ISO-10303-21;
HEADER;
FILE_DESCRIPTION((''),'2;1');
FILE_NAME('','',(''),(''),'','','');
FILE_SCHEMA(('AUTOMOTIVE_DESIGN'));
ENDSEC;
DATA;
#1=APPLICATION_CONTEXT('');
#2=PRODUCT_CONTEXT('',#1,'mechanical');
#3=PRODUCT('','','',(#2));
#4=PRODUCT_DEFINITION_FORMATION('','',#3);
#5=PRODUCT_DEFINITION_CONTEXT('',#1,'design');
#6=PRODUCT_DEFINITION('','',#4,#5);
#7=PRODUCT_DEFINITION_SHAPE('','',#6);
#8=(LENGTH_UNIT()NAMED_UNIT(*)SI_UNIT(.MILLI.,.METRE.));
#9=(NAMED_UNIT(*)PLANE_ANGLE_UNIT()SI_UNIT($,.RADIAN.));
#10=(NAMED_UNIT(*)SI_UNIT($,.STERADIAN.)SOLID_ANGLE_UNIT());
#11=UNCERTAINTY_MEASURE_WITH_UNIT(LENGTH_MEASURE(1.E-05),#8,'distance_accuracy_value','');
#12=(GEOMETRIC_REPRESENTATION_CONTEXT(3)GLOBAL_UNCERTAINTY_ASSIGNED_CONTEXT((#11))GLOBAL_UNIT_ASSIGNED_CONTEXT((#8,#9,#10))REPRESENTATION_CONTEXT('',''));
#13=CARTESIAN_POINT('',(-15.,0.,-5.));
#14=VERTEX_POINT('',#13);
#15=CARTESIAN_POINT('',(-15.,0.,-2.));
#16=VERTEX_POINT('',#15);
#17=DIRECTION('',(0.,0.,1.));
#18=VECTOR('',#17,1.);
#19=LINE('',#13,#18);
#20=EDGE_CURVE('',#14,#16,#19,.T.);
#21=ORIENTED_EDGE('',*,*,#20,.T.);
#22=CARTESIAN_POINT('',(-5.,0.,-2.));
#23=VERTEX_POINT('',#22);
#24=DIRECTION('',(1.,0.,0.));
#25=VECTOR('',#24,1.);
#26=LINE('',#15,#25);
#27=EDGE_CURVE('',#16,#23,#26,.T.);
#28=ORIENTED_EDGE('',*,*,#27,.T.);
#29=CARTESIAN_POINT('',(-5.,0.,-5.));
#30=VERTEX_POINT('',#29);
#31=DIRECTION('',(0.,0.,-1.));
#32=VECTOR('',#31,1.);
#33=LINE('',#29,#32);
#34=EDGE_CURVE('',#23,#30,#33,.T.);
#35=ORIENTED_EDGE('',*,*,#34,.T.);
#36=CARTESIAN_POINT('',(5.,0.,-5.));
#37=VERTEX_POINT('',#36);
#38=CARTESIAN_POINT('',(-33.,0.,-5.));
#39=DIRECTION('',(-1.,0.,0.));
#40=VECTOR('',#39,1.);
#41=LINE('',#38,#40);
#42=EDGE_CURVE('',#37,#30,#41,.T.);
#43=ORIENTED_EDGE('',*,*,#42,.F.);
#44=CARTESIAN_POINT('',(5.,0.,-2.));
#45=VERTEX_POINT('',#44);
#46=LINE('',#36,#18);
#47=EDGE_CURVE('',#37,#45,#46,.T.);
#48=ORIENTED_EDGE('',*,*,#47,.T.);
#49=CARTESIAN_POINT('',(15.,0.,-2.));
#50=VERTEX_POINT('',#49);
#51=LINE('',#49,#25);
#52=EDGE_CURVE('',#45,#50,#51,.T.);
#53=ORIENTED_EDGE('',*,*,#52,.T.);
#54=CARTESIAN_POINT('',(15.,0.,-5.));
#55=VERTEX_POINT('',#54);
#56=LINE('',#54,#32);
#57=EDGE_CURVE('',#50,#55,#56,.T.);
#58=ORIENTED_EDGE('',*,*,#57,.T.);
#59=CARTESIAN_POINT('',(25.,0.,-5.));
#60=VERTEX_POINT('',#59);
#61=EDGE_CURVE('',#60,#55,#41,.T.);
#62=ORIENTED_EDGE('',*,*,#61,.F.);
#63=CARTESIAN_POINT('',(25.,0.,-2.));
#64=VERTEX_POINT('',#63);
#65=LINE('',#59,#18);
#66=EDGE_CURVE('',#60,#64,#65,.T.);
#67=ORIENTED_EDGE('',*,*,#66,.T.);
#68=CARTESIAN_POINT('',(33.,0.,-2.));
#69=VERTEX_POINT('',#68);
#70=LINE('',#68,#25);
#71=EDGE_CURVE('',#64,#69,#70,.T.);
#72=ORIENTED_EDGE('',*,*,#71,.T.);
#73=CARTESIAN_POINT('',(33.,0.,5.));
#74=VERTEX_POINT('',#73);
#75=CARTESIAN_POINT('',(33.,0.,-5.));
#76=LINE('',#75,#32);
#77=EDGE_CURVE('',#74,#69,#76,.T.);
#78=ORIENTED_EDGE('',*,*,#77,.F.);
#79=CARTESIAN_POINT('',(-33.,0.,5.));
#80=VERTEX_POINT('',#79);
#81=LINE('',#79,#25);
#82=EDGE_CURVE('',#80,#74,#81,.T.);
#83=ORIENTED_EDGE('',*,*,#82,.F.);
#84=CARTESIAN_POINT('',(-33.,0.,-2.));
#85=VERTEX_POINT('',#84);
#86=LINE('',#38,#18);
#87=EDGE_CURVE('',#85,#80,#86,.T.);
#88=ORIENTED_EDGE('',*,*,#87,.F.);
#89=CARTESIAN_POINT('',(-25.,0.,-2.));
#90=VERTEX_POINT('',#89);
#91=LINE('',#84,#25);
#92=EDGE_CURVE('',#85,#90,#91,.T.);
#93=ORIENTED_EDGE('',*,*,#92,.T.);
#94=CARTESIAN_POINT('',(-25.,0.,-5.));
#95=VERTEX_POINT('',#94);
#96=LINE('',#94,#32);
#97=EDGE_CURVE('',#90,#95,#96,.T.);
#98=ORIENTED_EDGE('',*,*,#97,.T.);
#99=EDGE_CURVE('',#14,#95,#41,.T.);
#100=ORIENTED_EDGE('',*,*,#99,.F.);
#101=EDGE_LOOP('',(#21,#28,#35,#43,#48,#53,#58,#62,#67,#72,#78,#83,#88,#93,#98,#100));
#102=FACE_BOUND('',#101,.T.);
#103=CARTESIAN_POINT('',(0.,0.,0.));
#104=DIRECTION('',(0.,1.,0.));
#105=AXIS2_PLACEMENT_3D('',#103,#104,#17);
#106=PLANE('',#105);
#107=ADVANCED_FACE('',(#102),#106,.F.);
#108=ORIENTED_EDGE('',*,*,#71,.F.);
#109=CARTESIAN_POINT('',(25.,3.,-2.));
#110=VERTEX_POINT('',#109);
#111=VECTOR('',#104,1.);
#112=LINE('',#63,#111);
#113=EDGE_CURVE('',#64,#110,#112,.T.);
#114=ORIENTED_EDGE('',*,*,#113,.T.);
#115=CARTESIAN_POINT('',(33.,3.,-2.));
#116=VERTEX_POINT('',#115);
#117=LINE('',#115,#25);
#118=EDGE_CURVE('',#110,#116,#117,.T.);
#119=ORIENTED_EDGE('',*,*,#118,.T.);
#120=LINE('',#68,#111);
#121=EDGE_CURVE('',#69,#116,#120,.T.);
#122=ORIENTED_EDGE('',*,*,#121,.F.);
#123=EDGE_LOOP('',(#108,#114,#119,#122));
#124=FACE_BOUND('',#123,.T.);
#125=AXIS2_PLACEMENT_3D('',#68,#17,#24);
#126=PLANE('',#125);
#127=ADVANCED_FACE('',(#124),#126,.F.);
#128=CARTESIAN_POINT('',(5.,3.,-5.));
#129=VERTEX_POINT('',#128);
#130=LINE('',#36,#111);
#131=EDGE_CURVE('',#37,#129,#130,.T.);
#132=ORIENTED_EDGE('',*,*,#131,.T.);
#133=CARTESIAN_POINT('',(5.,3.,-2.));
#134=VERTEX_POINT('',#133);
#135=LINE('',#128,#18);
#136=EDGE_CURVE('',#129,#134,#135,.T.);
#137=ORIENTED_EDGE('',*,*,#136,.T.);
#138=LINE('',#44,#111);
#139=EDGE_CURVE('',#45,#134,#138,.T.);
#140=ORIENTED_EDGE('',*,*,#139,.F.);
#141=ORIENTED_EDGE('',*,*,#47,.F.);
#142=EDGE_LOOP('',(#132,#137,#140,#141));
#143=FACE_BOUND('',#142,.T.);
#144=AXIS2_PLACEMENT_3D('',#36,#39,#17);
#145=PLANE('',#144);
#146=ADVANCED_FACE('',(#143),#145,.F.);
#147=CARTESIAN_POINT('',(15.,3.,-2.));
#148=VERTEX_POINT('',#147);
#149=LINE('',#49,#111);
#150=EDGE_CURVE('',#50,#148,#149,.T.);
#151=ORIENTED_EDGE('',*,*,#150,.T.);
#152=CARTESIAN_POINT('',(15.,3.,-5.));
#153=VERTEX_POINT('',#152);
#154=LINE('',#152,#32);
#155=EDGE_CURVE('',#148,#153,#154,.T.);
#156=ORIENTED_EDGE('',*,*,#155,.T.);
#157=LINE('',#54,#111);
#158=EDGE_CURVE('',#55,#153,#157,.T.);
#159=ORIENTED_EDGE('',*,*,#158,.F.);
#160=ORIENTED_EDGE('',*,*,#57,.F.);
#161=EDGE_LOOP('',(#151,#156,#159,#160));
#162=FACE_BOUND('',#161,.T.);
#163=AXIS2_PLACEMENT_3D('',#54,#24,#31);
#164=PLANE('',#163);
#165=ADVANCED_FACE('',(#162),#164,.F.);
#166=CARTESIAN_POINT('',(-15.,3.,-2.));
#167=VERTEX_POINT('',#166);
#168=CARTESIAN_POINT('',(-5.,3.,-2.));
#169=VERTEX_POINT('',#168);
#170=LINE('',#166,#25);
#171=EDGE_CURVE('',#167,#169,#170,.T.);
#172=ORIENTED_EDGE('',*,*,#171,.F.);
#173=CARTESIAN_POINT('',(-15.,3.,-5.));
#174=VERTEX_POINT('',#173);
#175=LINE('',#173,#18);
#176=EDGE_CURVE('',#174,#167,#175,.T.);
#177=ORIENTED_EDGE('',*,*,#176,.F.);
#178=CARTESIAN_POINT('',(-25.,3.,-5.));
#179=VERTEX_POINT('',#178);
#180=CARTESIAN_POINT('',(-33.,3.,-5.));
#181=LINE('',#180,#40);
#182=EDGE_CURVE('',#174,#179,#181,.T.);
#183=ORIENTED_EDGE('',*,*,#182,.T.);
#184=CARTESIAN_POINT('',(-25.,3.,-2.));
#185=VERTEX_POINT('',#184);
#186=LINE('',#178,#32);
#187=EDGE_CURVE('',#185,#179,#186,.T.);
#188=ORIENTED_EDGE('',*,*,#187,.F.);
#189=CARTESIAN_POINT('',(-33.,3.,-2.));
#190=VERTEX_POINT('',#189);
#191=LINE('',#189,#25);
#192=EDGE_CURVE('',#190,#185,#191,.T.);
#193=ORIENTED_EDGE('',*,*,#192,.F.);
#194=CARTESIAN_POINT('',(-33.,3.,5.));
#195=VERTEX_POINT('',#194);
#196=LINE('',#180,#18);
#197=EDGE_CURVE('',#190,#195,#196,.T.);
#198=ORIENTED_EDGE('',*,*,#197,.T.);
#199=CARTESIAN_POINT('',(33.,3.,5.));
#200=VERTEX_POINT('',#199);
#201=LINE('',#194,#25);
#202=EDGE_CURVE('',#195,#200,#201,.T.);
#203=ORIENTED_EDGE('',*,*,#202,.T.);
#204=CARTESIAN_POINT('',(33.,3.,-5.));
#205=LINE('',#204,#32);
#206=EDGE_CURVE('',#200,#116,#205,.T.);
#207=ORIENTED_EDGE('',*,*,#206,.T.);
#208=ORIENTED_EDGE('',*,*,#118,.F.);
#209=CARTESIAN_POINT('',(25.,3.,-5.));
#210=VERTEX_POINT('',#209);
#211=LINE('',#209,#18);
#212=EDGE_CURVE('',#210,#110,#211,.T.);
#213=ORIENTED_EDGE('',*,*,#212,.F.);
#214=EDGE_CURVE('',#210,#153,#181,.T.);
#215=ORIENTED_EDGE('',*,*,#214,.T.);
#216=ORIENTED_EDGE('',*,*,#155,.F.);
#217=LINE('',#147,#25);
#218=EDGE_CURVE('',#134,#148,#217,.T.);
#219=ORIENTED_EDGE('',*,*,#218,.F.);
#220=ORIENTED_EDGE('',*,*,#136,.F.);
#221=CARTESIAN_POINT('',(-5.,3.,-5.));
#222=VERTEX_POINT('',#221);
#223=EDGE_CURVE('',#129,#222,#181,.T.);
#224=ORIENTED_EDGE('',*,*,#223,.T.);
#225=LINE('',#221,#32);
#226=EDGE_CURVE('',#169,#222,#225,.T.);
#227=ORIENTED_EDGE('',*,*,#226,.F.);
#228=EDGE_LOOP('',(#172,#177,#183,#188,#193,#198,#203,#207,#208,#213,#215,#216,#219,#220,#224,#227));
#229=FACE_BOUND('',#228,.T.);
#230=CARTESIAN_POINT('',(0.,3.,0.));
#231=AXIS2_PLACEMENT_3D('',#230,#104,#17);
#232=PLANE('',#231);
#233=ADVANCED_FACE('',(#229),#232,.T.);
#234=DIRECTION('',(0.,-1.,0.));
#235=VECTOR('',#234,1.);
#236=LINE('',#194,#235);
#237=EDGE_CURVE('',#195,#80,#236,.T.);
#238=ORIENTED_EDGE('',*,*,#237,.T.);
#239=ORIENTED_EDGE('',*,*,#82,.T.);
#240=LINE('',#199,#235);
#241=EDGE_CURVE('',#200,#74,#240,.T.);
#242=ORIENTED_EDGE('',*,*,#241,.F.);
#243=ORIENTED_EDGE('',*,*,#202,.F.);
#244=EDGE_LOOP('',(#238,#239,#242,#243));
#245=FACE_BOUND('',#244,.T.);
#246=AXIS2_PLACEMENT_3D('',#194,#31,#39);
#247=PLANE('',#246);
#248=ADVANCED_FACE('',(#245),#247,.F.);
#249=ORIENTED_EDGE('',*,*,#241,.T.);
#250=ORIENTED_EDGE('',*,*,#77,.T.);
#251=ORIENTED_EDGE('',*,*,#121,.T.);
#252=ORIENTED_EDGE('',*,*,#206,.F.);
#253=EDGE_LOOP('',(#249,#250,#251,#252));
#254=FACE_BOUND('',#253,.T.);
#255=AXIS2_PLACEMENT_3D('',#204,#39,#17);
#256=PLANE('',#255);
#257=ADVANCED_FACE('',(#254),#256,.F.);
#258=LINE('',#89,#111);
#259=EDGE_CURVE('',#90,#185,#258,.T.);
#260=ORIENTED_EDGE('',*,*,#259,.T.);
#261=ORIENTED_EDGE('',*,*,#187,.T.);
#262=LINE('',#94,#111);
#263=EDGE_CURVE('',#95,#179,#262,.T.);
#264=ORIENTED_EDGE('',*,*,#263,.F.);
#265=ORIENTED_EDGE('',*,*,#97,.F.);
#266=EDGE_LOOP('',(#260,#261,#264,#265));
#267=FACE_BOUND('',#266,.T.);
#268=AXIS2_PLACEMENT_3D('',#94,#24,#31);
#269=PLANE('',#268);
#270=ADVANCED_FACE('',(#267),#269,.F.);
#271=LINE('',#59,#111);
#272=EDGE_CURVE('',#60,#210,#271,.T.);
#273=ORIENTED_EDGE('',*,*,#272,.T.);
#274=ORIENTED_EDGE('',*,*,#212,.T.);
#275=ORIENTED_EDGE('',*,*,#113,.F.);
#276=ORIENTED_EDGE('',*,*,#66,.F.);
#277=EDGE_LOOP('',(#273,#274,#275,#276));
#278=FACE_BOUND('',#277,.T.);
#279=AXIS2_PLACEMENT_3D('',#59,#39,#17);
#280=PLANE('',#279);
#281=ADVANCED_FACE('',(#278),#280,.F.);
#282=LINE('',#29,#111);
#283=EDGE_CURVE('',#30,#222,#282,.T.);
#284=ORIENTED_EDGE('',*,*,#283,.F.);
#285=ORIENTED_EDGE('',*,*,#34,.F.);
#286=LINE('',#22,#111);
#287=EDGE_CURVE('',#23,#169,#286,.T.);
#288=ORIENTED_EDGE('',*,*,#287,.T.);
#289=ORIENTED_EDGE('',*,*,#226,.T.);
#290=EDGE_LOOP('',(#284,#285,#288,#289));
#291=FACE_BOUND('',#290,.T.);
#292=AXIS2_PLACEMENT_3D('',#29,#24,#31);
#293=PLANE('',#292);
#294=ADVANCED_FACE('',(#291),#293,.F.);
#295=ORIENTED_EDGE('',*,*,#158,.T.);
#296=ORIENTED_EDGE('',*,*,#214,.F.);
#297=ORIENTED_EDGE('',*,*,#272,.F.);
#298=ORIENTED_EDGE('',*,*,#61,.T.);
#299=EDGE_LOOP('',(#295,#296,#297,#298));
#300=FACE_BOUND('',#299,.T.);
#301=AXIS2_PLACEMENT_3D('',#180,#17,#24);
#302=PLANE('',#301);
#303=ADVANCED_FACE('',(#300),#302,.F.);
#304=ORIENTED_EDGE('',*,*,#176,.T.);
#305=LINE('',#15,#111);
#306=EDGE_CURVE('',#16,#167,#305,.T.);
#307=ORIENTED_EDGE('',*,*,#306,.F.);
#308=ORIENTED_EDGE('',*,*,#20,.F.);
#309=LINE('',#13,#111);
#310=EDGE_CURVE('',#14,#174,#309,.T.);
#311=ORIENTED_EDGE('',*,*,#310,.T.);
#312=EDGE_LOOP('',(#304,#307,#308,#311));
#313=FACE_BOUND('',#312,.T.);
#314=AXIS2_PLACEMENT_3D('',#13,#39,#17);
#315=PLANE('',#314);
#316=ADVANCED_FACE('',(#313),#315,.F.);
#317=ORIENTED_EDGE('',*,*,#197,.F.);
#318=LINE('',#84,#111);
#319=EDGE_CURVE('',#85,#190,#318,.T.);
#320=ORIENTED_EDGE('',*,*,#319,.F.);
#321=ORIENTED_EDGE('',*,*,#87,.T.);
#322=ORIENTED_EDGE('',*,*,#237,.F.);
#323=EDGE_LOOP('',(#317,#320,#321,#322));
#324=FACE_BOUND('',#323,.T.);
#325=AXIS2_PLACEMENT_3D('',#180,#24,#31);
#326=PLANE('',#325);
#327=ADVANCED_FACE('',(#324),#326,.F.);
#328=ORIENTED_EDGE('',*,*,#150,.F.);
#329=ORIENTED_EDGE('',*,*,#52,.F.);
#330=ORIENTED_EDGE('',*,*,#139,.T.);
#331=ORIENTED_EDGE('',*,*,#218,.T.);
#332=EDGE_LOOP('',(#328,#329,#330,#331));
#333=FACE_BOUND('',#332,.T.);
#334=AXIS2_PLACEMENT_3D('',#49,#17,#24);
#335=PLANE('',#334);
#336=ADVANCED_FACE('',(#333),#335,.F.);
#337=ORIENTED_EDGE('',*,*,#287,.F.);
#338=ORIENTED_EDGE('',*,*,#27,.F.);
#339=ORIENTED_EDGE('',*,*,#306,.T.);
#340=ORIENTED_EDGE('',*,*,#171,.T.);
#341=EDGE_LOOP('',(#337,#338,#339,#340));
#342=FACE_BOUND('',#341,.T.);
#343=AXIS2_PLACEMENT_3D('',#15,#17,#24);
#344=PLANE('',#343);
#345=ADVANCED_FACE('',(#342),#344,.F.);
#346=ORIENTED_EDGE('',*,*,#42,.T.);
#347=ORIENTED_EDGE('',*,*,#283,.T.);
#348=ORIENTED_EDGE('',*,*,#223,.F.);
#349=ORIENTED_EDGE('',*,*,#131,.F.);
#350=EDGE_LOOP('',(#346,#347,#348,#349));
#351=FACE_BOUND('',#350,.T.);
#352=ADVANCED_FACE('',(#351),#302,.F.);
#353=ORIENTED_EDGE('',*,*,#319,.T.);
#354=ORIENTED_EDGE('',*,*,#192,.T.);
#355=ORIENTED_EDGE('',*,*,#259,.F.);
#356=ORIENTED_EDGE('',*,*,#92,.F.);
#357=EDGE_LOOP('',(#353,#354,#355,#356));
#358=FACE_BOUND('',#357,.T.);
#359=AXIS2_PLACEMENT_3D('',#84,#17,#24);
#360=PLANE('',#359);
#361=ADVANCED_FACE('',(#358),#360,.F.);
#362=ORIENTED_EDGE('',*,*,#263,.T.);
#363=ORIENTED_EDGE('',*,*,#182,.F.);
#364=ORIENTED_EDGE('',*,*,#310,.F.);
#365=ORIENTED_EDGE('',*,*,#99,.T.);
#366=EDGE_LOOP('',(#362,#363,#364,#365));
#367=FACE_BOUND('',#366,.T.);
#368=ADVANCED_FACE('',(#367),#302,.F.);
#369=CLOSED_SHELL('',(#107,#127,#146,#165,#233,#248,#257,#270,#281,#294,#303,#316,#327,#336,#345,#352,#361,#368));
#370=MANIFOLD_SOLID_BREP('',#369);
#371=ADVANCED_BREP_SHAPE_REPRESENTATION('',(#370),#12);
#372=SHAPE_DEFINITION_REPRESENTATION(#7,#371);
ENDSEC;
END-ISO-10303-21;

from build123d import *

# Parameters (mm, degrees)
SKETCH1_W           = 66
SKETCH1_H           = 10
BOSS_EXTRUDE1_DEPTH = 3
SKETCH2_W           = 10
SKETCH2_H           = 3
SKETCH2_W_2         = 8
CUT_EXTRUDE1_DEPTH  = 3


with BuildPart() as part:
    # Sketch1 → Boss-Extrude1 (new body)
    with BuildSketch(Plane(origin=(0, 0, 0), x_dir=(1, 0, 0), z_dir=(0, 1, 0))):
        Rectangle(SKETCH1_W, SKETCH1_H)
    extrude(amount=BOSS_EXTRUDE1_DEPTH)

    # Sketch2 → Cut-Extrude1 (cut)
    with BuildSketch(Plane(origin=(0, 3, 0), x_dir=(1, 0, 0), z_dir=(0, 1, 0))):
        with Locations((10, 3.5)):
            Rectangle(SKETCH2_W, SKETCH2_H)
        with Locations((-29, 3.5)):
            Rectangle(SKETCH2_W_2, SKETCH2_H)
        with Locations((-10, 3.5)):
            Rectangle(SKETCH2_W, SKETCH2_H)
        with Locations((29, 3.5)):
            Rectangle(SKETCH2_W_2, SKETCH2_H)
    extrude(amount=-CUT_EXTRUDE1_DEPTH, mode=Mode.SUBTRACT)


solid = part.part
